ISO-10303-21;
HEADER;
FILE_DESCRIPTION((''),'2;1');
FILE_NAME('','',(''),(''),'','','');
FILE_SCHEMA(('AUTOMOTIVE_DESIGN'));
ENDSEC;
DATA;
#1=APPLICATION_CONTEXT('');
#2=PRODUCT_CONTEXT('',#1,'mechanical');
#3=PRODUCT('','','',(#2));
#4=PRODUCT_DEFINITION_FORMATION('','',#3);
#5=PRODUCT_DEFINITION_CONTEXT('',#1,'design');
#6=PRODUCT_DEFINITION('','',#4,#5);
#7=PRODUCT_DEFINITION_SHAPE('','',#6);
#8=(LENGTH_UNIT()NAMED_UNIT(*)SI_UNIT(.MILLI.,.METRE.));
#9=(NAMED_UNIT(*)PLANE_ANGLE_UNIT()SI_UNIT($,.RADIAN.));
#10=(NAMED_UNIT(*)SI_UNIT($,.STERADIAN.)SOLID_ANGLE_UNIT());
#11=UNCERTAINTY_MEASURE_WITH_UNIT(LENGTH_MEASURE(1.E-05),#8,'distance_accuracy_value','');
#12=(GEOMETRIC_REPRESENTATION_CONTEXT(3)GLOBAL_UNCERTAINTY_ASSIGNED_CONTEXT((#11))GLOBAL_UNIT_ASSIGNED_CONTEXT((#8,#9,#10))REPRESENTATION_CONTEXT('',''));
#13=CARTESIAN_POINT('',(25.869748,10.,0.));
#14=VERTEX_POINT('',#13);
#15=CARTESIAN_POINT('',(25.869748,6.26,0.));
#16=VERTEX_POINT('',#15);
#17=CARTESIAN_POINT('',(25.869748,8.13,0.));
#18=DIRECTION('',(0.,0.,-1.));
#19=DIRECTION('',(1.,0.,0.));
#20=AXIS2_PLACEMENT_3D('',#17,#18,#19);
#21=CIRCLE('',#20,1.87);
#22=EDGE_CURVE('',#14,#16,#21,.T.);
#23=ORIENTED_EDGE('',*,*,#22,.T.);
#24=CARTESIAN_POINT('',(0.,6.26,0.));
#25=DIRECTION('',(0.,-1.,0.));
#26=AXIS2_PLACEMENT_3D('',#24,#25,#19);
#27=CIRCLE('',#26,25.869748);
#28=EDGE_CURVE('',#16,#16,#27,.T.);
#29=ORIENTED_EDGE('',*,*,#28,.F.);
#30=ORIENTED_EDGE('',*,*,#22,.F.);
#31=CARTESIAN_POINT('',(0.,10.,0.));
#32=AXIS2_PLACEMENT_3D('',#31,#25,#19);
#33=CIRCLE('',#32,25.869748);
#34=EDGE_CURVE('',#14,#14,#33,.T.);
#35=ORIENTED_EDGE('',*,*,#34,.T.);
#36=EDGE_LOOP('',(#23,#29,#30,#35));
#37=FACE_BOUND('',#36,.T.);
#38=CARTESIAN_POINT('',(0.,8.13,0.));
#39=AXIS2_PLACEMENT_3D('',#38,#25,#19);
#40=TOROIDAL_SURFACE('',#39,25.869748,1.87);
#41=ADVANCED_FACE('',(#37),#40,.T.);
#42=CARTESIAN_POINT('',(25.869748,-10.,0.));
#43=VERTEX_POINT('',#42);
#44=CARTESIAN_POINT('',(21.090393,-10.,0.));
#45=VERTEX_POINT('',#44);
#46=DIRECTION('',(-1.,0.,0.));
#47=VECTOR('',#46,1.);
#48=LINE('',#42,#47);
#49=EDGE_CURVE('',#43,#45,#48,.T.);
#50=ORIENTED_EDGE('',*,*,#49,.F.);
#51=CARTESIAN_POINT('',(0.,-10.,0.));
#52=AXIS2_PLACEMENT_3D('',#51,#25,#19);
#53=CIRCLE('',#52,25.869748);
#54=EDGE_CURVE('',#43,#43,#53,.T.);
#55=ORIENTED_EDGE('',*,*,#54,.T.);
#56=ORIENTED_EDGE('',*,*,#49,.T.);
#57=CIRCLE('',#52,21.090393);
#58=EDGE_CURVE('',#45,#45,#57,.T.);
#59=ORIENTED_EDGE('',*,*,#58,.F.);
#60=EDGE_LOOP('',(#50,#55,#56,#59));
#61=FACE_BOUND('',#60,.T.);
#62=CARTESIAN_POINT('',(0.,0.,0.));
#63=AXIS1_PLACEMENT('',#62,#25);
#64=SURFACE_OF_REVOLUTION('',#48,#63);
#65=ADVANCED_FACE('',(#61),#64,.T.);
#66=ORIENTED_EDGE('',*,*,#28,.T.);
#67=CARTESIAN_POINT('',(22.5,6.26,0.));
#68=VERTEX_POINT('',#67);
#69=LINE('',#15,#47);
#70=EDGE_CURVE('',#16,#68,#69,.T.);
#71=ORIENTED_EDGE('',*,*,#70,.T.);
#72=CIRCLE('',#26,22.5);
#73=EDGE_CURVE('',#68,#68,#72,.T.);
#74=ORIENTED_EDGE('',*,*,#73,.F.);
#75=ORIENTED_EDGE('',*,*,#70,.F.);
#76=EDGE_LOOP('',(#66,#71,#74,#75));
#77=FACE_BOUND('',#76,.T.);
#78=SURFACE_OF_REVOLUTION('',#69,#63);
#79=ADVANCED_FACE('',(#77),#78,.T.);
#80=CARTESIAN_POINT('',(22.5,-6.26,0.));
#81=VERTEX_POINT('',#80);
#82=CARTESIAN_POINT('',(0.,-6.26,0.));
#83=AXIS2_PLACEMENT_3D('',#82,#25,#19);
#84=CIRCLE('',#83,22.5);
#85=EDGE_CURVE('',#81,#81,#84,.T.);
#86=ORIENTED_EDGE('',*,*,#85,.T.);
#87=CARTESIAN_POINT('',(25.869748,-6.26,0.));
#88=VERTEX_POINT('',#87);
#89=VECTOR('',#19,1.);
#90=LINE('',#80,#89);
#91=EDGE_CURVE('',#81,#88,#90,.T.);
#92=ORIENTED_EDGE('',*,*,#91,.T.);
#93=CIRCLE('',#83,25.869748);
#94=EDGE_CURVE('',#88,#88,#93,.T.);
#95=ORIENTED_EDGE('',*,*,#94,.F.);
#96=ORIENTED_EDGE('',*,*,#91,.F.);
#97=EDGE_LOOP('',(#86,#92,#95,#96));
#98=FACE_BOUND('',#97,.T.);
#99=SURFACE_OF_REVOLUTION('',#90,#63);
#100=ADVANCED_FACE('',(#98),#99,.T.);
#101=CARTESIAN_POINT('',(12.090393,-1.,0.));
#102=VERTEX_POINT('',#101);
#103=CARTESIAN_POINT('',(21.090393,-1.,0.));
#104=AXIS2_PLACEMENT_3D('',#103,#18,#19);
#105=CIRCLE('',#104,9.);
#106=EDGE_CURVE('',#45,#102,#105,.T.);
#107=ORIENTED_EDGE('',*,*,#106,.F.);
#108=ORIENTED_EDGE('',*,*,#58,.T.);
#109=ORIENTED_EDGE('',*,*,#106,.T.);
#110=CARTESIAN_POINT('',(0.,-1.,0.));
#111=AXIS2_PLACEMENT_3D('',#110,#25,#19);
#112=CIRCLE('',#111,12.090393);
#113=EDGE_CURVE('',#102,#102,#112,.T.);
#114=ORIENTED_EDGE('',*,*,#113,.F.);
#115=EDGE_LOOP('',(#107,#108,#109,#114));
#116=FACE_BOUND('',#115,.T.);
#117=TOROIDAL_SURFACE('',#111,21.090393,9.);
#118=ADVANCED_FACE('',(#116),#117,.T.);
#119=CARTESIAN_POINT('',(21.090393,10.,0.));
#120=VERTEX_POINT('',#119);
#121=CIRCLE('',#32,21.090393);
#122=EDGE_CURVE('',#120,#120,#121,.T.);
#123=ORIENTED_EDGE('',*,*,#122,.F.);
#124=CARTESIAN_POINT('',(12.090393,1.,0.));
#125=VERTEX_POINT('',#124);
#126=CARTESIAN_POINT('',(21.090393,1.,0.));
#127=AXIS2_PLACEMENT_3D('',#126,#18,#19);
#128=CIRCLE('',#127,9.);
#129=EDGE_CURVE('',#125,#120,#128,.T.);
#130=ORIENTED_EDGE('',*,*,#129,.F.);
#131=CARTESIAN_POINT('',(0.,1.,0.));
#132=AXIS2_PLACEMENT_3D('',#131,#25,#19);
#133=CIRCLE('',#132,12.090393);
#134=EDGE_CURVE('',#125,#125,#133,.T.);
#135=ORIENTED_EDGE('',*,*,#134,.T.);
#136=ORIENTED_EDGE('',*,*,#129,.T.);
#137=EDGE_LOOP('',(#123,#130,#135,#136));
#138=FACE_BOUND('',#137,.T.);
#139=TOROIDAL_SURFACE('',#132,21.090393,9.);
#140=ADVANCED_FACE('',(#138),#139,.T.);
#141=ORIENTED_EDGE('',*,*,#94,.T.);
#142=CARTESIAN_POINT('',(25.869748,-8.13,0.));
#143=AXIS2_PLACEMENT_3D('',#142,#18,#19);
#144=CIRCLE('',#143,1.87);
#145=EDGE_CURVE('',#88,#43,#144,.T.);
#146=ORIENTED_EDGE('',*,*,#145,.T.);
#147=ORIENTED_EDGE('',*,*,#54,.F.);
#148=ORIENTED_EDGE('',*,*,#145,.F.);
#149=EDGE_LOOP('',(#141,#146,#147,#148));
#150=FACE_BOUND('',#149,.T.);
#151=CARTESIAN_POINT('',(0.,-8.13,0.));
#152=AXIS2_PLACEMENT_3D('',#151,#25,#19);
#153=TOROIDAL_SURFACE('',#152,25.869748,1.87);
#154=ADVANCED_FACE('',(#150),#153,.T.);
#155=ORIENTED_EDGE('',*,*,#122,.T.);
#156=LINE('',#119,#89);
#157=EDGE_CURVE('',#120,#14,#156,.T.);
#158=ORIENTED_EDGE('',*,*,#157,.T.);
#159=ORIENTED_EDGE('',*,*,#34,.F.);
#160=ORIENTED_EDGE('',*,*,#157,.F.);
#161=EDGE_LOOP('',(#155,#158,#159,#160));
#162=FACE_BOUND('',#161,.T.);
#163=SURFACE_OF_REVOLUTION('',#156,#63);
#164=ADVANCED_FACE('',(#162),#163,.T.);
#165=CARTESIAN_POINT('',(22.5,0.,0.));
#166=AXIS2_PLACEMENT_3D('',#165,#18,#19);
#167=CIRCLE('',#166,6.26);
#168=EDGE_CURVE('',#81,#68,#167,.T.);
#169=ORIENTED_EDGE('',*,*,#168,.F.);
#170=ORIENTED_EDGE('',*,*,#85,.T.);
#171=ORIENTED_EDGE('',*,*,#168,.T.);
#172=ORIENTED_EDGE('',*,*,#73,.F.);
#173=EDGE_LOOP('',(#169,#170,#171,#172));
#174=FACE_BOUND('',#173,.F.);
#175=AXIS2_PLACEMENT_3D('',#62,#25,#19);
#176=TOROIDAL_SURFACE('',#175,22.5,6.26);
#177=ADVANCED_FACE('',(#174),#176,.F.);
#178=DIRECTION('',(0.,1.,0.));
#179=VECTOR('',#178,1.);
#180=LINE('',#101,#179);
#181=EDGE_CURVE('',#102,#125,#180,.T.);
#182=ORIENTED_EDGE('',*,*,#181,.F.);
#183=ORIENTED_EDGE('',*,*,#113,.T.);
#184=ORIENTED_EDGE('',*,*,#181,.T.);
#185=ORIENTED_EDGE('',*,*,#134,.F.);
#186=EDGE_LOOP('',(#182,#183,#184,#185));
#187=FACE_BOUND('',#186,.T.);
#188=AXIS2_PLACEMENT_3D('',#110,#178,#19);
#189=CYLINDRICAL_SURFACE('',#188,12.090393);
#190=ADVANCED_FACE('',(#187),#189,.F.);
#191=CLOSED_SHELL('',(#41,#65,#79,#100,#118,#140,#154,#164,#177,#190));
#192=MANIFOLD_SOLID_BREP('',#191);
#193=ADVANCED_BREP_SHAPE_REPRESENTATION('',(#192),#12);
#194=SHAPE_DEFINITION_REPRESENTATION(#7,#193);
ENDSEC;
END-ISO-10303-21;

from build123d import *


with BuildPart() as f2:
    # F2: sweep along a path in F0
    with BuildLine(Plane.XZ) as f2_path:
        CenterArc((0, 0), 22.5, 0, 360)
    # F1 (on Right) → F2 (sweep)
    with BuildSketch(Plane.YZ):
        with BuildLine():
            ThreePointArc((6.26, 22.5), (0, 16.24), (-6.26, 22.5))
            Line((-6.26, 22.5), (-6.26, 25.869748))
            ThreePointArc((-6.26, 25.869748), (-8.13, 27.739748), (-10, 25.869748))
            Line((-10, 25.869748), (-10, 21.090393))
            ThreePointArc((-10, 21.090393), (-7.363961, 14.726432), (-1, 12.090393))
            Line((-1, 12.090393), (0, 12.090393))
            Line((0, 12.090393), (1, 12.090393))
            ThreePointArc((1, 12.090393), (7.363961, 14.726432), (10, 21.090393))
            Line((10, 21.090393), (10, 25.869748))
            ThreePointArc((10, 25.869748), (8.13, 27.739748), (6.26, 25.869748))
            Line((6.26, 25.869748), (6.26, 22.5))
        make_face()
    sweep(path=f2_path.line)


solid = f2.part
